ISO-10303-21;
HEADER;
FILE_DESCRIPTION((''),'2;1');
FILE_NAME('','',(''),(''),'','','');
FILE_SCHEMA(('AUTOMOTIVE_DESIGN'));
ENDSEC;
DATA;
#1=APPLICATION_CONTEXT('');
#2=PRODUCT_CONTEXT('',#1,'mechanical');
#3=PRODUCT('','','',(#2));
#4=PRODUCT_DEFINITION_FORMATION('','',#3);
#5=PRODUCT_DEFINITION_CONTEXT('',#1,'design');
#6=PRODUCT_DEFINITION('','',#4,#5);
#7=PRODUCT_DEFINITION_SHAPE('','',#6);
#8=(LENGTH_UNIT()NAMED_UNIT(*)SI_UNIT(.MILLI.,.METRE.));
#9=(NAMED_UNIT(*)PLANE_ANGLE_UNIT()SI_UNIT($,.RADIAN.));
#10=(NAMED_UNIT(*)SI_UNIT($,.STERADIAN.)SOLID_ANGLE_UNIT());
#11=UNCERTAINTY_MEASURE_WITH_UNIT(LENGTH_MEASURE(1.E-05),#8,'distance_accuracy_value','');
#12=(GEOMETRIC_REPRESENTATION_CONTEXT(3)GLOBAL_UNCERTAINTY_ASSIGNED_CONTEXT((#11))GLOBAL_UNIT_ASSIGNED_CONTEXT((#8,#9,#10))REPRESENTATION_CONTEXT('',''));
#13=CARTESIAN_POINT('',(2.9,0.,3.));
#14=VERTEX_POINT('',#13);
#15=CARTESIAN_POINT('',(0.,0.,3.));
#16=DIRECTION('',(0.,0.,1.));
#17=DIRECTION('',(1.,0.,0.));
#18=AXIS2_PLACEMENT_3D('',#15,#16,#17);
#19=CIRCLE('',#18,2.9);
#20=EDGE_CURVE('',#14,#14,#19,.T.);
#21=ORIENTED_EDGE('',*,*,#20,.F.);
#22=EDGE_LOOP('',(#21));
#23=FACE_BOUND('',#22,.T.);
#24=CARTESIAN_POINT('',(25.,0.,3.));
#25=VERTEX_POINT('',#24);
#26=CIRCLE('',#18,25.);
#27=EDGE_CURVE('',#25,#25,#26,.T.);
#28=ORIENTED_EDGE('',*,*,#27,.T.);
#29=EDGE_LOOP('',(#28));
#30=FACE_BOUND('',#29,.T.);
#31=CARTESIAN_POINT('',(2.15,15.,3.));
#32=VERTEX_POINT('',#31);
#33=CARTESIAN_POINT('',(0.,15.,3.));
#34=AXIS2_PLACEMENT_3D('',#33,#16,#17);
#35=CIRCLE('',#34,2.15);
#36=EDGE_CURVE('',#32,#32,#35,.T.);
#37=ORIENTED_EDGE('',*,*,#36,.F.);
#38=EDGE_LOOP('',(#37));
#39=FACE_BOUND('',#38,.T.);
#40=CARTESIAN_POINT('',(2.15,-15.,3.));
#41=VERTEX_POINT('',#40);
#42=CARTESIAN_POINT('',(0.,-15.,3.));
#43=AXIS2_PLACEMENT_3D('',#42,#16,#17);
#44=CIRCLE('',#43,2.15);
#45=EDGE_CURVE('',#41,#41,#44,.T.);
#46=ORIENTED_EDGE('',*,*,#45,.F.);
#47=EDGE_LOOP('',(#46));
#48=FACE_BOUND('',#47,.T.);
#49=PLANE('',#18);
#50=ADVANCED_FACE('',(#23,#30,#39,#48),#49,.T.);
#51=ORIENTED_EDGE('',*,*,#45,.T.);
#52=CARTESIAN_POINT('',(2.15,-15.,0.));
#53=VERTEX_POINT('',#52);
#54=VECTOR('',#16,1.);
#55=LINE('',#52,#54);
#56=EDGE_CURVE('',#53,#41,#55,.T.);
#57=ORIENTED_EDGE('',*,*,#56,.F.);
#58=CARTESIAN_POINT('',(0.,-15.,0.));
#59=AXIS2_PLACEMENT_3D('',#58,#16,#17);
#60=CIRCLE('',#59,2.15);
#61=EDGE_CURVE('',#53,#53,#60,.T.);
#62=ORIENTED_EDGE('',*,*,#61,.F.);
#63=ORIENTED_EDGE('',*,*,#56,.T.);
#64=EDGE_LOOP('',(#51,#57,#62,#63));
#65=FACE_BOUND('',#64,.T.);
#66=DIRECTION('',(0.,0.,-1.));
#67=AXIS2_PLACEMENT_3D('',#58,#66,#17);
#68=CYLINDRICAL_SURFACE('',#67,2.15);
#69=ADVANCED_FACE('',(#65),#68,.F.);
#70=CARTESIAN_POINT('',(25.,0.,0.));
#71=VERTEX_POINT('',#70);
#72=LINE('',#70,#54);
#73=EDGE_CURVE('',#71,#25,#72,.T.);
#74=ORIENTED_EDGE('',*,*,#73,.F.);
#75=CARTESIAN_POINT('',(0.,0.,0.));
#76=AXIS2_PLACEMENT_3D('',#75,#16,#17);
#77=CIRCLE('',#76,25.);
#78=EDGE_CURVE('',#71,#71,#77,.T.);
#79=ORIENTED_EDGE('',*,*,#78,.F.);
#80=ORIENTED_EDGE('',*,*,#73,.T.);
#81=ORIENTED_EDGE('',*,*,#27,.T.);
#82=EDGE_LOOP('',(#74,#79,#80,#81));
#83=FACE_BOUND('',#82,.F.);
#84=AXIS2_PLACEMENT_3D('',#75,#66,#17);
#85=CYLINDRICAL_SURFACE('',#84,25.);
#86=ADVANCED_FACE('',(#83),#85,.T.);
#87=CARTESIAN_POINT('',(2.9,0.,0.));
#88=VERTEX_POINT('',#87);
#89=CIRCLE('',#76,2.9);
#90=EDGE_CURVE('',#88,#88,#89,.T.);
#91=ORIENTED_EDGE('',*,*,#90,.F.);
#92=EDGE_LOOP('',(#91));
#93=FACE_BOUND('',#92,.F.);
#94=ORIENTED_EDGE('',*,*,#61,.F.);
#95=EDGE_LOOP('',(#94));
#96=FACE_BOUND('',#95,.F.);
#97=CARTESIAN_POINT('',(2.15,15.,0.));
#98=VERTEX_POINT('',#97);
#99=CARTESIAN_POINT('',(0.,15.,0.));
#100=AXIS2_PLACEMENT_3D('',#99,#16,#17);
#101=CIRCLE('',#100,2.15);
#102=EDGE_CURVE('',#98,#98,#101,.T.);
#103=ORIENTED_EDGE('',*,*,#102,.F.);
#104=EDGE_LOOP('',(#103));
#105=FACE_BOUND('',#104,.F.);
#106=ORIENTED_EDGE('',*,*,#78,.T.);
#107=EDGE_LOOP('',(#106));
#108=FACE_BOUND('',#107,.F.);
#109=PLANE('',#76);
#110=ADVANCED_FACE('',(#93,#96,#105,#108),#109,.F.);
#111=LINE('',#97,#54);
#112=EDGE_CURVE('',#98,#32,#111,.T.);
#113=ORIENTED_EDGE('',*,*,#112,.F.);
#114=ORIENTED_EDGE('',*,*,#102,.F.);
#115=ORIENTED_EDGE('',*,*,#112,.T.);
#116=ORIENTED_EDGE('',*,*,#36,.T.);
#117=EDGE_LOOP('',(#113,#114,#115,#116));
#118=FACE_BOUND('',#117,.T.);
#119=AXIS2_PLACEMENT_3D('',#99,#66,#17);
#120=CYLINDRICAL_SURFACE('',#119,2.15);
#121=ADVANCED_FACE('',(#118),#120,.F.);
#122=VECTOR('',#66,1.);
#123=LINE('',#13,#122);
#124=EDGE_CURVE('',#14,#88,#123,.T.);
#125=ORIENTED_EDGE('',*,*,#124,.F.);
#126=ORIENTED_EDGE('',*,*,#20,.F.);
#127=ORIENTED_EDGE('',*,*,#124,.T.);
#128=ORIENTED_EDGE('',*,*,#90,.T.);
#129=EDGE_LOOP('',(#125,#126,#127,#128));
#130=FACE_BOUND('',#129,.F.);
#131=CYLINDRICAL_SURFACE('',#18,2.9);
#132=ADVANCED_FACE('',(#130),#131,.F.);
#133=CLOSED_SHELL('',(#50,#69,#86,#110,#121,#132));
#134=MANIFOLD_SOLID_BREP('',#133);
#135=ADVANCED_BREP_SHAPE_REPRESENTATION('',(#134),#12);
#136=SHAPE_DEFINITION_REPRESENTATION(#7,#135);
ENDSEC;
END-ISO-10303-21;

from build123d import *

# Parameters (mm, degrees)
F0_R     = 25
F0_R_2   = 2.15
F1_DEPTH = 3
F2_R     = 2.9
F3_DEPTH = 3.001


with BuildPart() as f1:
    # F0 (on Top) → F1 (new body)
    with BuildSketch(Plane.XY):
        Circle(F0_R)
        with Locations((0, -15)):
            Circle(F0_R_2, mode=Mode.SUBTRACT)
        with Locations((0, 15)):
            Circle(F0_R_2, mode=Mode.SUBTRACT)
    extrude(amount=F1_DEPTH)

    # F2 (on face) → F3 (cut, through all)
    with BuildSketch(Plane.XY.offset(3)):
        Circle(F2_R)
    extrude(amount=-F3_DEPTH, mode=Mode.SUBTRACT)


solid = f1.part
